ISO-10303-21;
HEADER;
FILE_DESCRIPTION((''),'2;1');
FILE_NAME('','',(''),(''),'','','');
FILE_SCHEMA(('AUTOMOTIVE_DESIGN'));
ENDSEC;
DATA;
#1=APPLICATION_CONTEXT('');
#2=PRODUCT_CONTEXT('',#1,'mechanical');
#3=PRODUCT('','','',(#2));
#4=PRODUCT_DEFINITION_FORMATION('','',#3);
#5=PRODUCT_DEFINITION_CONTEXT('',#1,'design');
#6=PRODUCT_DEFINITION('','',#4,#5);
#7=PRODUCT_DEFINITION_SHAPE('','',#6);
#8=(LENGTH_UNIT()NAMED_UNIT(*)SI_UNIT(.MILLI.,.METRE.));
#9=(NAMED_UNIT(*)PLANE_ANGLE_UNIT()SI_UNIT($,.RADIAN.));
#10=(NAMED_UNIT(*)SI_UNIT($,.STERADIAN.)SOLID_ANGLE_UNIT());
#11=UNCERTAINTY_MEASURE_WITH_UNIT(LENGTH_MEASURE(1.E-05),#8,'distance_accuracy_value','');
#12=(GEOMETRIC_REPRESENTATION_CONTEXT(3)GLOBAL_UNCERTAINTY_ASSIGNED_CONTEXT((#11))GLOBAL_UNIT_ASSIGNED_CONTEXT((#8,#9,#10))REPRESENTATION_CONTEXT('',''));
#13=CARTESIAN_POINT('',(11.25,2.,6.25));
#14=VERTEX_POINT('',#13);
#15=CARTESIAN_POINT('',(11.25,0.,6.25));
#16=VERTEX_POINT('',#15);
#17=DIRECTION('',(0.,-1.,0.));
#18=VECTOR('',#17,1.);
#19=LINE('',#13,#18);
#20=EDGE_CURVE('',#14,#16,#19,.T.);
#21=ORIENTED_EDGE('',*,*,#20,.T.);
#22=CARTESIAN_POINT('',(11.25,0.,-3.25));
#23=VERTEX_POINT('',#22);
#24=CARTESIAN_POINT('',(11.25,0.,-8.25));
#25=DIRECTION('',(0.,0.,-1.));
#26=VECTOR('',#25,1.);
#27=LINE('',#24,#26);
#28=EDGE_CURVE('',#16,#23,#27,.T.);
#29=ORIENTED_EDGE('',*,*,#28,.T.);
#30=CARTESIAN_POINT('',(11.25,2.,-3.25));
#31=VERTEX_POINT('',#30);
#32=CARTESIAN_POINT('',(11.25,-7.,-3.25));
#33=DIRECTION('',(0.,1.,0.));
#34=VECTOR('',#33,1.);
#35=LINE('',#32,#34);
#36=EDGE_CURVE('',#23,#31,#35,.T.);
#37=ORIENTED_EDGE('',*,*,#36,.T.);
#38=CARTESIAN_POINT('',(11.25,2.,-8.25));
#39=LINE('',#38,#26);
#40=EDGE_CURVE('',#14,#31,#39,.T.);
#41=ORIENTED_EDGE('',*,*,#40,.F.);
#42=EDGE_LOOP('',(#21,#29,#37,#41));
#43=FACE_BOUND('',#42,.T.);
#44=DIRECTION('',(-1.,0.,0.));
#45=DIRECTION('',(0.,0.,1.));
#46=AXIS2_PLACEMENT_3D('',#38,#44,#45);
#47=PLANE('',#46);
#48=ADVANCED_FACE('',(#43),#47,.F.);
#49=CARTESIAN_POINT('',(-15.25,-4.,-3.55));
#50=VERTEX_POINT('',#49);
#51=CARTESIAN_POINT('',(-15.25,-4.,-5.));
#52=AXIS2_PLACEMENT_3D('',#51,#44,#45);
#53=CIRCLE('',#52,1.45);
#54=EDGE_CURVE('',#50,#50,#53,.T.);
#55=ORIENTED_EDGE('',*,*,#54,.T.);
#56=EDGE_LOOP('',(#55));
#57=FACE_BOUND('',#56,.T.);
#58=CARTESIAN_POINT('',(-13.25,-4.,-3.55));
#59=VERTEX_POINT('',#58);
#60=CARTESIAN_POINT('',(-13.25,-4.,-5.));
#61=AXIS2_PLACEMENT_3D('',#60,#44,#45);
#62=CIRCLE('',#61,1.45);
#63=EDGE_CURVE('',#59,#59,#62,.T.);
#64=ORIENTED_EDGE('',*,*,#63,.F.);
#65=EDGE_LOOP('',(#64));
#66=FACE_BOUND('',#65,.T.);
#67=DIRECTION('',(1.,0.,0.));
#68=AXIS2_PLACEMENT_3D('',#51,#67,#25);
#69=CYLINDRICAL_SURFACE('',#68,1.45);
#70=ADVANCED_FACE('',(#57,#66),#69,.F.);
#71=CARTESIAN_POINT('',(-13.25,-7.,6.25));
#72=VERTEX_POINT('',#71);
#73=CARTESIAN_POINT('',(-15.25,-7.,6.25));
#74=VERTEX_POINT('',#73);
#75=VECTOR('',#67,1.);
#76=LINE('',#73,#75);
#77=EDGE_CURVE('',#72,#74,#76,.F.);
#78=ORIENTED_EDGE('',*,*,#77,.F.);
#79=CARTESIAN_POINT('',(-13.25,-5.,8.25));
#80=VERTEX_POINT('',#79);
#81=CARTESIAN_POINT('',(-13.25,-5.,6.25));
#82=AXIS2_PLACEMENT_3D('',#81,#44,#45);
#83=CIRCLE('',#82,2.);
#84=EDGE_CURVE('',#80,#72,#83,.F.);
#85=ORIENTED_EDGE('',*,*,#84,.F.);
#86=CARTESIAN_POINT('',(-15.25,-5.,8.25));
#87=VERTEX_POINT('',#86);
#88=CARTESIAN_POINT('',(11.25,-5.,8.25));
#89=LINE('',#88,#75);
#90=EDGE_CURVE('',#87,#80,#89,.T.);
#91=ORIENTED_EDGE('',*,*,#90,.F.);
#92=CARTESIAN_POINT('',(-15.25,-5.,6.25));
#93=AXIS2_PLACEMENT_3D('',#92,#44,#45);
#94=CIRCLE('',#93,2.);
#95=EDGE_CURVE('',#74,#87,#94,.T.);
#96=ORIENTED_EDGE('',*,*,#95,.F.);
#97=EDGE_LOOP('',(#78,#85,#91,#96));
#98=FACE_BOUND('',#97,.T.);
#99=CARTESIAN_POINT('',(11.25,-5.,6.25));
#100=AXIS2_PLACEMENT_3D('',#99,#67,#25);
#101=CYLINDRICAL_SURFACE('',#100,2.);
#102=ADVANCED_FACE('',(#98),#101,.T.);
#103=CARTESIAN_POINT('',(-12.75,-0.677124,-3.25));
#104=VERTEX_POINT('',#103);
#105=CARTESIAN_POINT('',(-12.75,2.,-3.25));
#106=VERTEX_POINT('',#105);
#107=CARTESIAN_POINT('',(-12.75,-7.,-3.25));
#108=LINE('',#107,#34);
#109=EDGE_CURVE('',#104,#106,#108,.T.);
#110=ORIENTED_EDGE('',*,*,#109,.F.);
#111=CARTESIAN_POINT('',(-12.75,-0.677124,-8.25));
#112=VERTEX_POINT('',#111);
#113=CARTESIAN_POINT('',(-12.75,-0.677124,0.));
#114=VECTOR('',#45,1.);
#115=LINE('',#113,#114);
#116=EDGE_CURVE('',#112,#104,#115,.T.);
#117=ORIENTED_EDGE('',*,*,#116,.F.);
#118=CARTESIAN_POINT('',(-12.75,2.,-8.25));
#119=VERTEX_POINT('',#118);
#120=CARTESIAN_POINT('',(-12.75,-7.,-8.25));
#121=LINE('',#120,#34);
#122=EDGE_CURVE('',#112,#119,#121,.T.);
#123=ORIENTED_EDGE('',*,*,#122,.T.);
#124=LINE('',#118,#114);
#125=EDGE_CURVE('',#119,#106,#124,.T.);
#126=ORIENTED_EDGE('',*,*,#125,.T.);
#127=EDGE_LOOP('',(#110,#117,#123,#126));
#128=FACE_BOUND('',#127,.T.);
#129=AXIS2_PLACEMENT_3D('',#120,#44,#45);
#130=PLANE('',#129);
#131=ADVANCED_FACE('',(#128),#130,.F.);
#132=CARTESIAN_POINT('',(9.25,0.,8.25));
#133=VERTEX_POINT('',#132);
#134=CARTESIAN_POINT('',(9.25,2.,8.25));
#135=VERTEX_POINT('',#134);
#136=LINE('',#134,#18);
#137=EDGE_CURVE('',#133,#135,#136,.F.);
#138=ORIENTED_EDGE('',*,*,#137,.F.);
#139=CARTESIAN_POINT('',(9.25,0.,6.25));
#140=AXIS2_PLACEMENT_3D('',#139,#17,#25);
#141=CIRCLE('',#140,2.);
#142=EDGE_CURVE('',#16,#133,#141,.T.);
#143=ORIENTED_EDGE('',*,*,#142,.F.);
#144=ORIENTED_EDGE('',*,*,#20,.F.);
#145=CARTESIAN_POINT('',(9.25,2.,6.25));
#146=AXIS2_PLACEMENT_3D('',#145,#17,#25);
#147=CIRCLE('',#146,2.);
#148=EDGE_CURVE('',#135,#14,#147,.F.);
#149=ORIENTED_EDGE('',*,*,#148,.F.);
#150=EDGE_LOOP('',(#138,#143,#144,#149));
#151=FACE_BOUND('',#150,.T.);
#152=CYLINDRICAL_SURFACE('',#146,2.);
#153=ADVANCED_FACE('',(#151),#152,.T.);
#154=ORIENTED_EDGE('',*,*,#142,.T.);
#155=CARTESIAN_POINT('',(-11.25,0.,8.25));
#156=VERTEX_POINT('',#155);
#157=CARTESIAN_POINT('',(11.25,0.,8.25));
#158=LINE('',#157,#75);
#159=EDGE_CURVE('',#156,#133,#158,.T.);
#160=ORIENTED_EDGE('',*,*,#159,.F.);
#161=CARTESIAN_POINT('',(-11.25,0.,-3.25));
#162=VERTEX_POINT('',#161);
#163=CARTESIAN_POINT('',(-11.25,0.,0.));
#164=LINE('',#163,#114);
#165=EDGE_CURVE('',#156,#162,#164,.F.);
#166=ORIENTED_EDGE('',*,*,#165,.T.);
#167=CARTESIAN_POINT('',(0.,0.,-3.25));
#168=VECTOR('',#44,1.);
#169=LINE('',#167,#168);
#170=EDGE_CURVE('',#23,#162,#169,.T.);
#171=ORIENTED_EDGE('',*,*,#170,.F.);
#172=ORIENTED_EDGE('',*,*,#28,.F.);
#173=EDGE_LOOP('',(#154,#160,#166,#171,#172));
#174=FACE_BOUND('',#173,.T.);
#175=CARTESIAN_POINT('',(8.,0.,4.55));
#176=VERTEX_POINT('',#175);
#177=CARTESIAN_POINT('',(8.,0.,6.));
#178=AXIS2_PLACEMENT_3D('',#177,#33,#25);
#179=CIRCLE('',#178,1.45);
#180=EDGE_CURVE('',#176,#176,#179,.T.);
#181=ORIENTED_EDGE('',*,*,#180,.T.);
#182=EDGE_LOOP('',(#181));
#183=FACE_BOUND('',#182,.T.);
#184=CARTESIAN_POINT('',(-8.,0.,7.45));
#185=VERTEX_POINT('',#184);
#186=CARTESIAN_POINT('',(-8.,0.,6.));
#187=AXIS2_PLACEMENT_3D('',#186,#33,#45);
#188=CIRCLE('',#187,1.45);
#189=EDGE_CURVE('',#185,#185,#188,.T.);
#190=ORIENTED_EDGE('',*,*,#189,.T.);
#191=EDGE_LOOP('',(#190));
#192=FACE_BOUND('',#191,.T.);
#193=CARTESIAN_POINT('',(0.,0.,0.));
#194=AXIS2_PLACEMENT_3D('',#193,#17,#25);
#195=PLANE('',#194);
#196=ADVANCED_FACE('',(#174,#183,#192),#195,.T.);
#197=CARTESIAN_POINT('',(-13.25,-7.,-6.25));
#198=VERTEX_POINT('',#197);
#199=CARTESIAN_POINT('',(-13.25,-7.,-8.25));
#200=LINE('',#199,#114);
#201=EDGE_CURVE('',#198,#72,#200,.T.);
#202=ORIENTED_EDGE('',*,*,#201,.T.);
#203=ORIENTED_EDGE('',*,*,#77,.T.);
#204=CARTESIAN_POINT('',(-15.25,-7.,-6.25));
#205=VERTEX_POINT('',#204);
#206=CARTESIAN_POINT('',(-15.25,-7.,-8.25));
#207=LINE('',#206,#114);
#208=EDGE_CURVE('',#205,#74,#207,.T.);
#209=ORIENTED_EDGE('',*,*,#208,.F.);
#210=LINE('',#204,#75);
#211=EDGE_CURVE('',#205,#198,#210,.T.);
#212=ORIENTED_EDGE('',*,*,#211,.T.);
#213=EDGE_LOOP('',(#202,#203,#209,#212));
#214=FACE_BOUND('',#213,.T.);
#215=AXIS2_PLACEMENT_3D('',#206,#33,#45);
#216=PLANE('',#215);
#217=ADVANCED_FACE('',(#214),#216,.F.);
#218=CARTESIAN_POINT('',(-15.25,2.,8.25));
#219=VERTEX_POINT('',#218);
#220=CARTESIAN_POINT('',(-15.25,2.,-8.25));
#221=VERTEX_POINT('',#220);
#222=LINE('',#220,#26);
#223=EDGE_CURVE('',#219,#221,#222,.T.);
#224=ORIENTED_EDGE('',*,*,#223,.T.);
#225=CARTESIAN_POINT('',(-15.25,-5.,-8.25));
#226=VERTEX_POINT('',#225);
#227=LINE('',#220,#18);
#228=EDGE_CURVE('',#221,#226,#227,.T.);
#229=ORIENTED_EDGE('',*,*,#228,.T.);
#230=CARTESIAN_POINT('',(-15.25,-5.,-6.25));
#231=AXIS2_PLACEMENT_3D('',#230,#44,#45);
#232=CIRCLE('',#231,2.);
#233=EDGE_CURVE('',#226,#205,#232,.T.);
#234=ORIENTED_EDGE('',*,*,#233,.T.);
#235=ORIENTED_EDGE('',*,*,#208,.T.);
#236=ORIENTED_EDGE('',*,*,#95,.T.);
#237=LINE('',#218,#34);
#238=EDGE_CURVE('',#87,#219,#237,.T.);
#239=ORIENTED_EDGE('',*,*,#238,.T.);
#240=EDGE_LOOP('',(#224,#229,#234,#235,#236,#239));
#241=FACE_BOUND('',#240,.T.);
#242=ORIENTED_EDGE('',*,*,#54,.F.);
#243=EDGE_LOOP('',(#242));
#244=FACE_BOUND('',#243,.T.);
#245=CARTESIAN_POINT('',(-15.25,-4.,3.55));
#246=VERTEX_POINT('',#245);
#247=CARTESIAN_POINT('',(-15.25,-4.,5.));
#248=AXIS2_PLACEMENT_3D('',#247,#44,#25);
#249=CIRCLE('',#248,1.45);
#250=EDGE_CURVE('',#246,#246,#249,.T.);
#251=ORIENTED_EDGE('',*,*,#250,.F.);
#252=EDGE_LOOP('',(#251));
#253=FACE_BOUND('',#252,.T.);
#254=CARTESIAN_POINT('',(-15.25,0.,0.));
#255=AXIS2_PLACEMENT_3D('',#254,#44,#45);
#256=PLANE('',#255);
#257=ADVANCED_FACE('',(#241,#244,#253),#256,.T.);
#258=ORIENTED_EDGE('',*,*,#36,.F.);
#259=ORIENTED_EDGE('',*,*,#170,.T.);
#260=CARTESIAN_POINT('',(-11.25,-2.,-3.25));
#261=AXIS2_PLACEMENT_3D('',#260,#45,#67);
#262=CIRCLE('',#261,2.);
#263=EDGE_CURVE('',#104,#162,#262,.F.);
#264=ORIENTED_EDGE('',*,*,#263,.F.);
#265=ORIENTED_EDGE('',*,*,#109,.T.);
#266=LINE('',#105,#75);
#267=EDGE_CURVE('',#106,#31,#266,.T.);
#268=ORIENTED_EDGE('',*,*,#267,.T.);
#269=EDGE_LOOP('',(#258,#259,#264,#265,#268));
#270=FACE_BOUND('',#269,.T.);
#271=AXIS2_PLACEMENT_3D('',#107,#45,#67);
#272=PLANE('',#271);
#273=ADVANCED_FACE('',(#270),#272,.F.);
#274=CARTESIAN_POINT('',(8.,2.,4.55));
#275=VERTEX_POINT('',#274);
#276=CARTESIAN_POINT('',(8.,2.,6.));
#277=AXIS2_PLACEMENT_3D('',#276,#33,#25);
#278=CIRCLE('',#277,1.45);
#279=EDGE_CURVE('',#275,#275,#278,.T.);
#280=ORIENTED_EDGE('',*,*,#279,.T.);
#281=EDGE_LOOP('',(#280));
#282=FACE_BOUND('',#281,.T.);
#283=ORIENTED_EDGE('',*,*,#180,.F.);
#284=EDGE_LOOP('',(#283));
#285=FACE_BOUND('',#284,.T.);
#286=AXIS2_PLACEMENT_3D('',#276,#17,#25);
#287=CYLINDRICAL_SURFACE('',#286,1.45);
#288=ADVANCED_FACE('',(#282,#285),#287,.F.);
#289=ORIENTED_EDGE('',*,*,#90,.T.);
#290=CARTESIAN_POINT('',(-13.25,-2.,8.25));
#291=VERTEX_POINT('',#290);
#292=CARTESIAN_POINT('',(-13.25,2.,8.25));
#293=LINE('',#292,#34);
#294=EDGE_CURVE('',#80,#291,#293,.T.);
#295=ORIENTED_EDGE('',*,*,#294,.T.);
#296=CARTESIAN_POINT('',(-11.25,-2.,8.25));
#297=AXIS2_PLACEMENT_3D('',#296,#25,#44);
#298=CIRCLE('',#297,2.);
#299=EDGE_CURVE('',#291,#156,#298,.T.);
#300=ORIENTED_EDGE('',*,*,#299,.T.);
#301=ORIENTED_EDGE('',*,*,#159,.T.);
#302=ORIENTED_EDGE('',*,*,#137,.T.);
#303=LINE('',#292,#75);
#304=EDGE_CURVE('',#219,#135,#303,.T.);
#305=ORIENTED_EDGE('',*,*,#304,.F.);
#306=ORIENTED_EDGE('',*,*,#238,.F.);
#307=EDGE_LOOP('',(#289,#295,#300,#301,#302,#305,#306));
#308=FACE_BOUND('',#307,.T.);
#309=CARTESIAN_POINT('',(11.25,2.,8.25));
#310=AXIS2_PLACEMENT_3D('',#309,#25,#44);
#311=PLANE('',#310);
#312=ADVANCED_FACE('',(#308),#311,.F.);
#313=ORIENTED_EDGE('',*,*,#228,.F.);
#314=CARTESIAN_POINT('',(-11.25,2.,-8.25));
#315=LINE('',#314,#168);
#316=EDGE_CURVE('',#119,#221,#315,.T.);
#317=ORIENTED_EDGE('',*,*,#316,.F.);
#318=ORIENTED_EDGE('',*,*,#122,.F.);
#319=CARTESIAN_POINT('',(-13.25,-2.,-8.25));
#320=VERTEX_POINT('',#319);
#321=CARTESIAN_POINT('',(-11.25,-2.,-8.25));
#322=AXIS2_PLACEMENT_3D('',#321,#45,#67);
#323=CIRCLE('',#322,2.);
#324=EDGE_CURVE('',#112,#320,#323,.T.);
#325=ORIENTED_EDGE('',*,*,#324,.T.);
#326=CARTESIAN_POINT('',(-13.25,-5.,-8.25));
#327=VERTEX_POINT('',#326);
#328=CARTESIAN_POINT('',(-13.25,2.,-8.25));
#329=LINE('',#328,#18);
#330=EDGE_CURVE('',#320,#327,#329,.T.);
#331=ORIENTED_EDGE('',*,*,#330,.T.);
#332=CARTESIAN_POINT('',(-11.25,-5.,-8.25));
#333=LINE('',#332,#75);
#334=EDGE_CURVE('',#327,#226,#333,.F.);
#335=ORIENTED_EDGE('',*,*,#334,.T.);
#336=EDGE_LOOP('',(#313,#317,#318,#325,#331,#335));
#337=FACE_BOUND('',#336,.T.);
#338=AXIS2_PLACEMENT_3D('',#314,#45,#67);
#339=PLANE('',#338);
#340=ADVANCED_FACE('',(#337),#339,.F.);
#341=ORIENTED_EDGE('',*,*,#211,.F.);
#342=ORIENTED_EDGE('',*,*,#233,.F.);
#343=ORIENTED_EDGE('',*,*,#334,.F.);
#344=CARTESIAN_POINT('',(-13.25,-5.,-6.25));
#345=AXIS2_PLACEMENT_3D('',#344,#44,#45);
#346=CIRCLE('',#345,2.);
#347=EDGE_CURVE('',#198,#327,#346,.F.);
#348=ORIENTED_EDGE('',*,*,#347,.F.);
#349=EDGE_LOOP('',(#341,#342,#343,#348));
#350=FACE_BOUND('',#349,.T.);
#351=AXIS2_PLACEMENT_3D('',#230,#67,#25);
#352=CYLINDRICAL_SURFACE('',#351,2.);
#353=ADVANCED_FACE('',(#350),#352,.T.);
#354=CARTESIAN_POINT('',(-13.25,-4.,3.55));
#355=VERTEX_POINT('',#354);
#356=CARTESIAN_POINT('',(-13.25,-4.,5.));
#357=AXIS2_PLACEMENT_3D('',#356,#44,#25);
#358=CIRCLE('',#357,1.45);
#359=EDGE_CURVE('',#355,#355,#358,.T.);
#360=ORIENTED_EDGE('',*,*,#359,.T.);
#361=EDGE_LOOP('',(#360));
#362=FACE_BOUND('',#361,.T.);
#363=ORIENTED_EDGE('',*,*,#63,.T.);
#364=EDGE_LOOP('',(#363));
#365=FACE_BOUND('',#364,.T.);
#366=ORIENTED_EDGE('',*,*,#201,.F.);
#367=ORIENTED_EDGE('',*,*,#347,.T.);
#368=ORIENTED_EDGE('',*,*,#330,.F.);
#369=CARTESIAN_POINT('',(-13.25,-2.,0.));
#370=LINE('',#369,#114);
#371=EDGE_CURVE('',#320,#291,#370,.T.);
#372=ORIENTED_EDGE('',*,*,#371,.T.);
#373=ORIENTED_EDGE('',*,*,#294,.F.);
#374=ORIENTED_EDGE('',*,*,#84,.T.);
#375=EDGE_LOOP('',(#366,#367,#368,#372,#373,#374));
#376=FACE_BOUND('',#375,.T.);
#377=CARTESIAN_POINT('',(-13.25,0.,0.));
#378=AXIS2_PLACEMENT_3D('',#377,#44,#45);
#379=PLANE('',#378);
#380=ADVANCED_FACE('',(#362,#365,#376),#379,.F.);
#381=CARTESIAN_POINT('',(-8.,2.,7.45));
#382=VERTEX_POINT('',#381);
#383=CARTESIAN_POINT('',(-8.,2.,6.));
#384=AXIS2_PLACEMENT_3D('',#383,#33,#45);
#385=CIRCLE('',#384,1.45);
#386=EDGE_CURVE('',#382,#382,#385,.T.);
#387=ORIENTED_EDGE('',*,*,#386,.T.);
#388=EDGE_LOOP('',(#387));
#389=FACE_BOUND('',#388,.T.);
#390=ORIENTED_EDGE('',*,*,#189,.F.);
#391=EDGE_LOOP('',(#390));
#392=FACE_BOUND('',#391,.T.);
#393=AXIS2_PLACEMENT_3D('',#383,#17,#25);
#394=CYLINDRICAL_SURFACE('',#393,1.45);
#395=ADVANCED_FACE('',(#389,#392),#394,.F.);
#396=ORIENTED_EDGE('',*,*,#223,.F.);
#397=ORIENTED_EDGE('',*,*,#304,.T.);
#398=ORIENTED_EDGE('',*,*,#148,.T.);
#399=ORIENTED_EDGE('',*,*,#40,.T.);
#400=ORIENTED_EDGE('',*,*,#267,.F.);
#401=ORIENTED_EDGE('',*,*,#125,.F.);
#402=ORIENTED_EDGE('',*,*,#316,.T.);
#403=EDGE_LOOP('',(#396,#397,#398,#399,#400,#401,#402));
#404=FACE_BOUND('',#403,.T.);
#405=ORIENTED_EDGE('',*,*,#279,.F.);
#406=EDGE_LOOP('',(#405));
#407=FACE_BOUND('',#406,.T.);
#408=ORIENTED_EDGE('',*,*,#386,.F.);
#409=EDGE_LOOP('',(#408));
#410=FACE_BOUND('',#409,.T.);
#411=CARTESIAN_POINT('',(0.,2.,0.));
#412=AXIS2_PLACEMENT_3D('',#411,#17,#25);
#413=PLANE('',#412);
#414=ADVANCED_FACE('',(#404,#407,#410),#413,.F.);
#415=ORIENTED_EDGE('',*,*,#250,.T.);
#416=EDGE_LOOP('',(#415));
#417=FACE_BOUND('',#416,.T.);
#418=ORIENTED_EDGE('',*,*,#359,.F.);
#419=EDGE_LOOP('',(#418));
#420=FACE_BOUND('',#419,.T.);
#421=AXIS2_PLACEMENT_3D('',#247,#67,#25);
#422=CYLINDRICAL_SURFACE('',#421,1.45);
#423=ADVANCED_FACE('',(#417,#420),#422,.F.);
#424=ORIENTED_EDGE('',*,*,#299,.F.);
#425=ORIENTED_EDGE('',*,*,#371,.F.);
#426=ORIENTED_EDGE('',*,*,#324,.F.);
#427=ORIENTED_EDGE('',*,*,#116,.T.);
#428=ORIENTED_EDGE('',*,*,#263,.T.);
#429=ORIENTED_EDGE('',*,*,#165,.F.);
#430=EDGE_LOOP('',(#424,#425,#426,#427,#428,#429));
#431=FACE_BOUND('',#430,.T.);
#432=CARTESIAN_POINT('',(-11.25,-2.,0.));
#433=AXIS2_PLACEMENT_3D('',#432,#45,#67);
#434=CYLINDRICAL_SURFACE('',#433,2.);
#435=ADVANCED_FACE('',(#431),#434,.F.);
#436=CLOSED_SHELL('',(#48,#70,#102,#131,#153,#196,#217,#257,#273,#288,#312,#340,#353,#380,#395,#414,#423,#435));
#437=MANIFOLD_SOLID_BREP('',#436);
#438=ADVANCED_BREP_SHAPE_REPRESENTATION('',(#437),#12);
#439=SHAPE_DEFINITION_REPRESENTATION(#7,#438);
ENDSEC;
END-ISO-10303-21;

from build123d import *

# Parameters (mm, degrees)
CROQUIS2_R              = 1.45
SALIENTE_EXTRUIR1_DEPTH = 2
CROQUIS3_W              = 16.5
CROQUIS3_H              = 9
CROQUIS3_R              = 1.45
SALIENTE_EXTRUIR2_DEPTH = 2
REDONDEO1_R             = 2
REDONDEO2_R             = 2
CROQUIS4_W              = 24
CROQUIS4_H              = 5
CORTAR_EXTRUIR1_DEPTH   = 20.535224596


with BuildPart() as part:
    # Croquis2 → Saliente-Extruir1 (new body)
    with BuildSketch(Plane(origin=(0, 0, 0), x_dir=(1, 0, 0), z_dir=(0, 1, 0))):
        Polygon((-11.25, 8.25), (11.25, 8.25), (11.25, -8.25), (-11.25, -8.25), (-13.25, -8.25), (-13.25, 8.25), align=None)
        with Locations(Location((-8, -6, 0), (0, 0, 270))):
            Circle(CROQUIS2_R, mode=Mode.SUBTRACT)
        with Locations(Location((8, -6, 0), (0, 0, 90))):
            Circle(CROQUIS2_R, mode=Mode.SUBTRACT)
    extrude(amount=SALIENTE_EXTRUIR1_DEPTH)

    # Croquis3 → Saliente-Extruir2 (add)
    with BuildSketch(Plane.ZY.offset(13.25)):
        with Locations((0, -2.5)):
            Rectangle(CROQUIS3_W, CROQUIS3_H)
        with Locations((-5, -4)):
            Circle(CROQUIS3_R, mode=Mode.SUBTRACT)
        with Locations(Location((5, -4, 0), (0, 0, 180))):
            Circle(CROQUIS3_R, mode=Mode.SUBTRACT)
    extrude(amount=SALIENTE_EXTRUIR2_DEPTH)

    # Redondeo1
    redondeo1_edges = [part.edges().sort_by_distance(p)[0] for p in [
        (-13.25, 0, 0),
    ]]
    fillet(redondeo1_edges, radius=REDONDEO1_R)

    # Redondeo2
    redondeo2_edges = [part.edges().sort_by_distance(p)[0] for p in [
        (11.25, 1, 8.25),
        (11.25, 1, -8.25),
        (-14.25, -7, -8.25),
        (-14.25, -7, 8.25),
    ]]
    fillet(redondeo2_edges, radius=REDONDEO2_R)

    # Croquis4 → Cortar-Extruir1 (cut, through all)
    with BuildSketch(Plane(origin=(0, 2, 0), x_dir=(1, 0, 0), z_dir=(0, 1, 0))):
        with Locations((-0.75, 5.75)):
            Rectangle(CROQUIS4_W, CROQUIS4_H)
    extrude(amount=-CORTAR_EXTRUIR1_DEPTH, mode=Mode.SUBTRACT)


solid = part.part
